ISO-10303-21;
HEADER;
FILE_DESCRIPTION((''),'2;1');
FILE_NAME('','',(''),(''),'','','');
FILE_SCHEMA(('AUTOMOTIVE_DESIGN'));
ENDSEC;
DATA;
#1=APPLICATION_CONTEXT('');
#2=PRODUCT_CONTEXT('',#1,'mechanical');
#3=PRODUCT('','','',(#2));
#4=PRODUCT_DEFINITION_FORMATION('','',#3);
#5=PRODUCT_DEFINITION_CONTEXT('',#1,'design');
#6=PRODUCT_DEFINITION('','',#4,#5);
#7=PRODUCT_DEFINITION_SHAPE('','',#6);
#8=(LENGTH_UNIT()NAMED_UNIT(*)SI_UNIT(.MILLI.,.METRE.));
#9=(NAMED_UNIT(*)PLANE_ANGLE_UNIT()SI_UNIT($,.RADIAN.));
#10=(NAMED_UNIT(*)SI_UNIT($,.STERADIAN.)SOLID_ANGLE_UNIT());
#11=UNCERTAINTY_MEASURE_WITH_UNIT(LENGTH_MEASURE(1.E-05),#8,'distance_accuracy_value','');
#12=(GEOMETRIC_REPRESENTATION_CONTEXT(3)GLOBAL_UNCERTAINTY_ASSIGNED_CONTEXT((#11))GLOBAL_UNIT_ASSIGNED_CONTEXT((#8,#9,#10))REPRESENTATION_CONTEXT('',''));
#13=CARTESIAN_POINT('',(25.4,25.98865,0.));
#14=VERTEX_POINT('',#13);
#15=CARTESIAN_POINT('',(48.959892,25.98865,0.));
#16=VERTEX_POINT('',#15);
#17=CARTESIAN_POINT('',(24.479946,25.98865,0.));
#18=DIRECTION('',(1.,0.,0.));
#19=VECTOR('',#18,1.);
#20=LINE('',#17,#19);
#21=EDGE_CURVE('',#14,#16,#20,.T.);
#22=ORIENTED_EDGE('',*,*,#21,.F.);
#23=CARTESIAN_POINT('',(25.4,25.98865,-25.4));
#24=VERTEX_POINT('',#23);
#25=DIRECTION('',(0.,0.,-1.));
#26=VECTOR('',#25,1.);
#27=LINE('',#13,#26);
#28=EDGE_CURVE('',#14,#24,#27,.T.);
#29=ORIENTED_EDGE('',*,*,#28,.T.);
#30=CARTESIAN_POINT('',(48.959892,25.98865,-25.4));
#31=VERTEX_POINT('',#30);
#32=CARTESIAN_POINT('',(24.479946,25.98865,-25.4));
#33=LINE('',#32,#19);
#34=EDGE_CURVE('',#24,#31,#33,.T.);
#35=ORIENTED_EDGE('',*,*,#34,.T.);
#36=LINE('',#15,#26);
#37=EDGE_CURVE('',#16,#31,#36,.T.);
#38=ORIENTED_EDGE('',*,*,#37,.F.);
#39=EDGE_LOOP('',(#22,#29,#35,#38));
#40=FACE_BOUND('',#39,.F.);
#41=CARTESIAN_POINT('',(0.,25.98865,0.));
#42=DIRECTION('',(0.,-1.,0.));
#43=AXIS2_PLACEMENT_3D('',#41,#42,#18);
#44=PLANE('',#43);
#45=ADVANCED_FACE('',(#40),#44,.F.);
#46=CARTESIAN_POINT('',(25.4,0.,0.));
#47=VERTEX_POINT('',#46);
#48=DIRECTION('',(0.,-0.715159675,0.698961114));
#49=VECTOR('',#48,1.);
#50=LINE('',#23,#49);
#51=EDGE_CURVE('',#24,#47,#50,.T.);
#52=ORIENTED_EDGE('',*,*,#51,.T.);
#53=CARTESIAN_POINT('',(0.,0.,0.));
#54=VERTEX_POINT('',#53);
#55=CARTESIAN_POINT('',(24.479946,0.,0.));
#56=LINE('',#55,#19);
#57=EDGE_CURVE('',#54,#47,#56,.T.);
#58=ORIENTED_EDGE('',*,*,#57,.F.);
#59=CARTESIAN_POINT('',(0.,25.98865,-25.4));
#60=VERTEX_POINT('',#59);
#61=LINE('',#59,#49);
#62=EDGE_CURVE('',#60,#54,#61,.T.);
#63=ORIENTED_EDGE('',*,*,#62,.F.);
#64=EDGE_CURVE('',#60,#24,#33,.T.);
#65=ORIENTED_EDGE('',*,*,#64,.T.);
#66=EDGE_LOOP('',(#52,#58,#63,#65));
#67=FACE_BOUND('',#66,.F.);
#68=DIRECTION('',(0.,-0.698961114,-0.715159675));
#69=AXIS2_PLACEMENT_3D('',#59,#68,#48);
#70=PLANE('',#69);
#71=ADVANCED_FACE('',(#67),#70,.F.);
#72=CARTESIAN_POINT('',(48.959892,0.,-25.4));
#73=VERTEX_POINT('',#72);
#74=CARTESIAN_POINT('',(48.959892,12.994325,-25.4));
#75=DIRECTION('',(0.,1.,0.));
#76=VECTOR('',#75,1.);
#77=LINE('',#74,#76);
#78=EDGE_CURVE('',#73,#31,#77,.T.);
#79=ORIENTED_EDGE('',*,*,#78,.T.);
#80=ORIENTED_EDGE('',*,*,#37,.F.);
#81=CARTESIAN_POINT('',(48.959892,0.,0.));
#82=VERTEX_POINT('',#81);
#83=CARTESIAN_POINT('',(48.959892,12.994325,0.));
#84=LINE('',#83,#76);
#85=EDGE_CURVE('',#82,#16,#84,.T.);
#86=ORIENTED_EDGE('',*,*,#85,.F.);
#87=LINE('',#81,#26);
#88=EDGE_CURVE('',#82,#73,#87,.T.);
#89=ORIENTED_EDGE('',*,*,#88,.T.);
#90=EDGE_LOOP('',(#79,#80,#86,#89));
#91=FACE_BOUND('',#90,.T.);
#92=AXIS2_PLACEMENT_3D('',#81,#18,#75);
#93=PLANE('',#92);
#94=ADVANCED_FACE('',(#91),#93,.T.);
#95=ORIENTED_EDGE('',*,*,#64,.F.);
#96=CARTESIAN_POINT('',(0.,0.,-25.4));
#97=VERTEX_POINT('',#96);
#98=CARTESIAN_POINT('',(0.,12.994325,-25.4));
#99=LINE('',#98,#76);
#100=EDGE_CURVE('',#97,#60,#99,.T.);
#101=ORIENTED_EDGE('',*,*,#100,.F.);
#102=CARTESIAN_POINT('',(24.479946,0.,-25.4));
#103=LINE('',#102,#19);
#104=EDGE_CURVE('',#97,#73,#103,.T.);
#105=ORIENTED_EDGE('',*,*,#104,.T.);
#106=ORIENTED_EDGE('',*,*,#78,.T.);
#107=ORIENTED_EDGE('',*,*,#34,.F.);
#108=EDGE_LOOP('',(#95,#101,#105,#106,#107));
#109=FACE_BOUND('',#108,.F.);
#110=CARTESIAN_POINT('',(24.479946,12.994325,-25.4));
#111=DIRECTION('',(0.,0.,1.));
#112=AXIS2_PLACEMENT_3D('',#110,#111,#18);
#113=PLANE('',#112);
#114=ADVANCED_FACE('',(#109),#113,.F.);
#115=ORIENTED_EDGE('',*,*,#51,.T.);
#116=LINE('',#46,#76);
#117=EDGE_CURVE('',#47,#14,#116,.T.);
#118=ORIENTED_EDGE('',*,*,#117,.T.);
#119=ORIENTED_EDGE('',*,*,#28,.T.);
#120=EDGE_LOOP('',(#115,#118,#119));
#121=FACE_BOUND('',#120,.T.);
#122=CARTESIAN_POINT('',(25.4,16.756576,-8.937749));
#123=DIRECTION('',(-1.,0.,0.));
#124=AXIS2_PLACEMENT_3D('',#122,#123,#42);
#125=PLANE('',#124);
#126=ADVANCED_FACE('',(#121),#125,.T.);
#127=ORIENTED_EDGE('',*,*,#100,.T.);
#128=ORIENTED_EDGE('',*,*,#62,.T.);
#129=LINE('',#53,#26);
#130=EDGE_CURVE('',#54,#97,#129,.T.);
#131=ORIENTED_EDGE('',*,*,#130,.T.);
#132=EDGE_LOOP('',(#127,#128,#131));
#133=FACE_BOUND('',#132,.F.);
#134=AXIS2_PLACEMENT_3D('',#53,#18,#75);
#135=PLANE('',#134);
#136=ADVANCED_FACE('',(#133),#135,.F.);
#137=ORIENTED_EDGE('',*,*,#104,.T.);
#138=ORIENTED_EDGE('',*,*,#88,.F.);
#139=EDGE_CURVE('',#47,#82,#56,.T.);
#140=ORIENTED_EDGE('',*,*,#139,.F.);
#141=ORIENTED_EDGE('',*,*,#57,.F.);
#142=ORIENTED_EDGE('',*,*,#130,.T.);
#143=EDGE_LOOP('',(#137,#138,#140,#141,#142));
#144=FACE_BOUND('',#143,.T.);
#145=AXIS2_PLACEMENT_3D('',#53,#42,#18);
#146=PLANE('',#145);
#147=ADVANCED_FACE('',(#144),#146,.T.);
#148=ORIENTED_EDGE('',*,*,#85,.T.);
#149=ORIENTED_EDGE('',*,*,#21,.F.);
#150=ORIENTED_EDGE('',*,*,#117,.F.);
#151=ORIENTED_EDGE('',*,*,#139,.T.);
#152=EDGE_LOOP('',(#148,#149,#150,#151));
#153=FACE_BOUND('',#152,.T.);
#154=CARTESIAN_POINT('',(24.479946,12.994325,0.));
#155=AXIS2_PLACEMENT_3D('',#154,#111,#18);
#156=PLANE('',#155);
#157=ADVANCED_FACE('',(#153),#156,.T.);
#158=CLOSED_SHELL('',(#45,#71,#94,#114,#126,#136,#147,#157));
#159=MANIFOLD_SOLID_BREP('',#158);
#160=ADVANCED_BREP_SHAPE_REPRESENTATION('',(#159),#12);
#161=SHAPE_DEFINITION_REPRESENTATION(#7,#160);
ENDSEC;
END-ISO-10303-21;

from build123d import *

# Parameters (mm, degrees)
F0_W     = 48.959892
F0_H     = 25.98865
F1_DEPTH = 25.4
F3_DEPTH = 25.4


with BuildPart() as f1:
    # F0 (on Top) → F1 (new body)
    with BuildSketch(Plane.XY):
        with Locations((24.479946, 12.994325)):
            Rectangle(F0_W, F0_H)
    extrude(amount=-F1_DEPTH)

    # F2 (on face) → F3 (cut)
    with BuildSketch(Plane(origin=(0, 0, 0), x_dir=(0, -1, 0), z_dir=(-1, 0, 0))):
        Polygon((-25.98865, -25.4), (0, 0), (-25.98865, 0), align=None)
    extrude(amount=-F3_DEPTH, mode=Mode.SUBTRACT)


solid = f1.part
